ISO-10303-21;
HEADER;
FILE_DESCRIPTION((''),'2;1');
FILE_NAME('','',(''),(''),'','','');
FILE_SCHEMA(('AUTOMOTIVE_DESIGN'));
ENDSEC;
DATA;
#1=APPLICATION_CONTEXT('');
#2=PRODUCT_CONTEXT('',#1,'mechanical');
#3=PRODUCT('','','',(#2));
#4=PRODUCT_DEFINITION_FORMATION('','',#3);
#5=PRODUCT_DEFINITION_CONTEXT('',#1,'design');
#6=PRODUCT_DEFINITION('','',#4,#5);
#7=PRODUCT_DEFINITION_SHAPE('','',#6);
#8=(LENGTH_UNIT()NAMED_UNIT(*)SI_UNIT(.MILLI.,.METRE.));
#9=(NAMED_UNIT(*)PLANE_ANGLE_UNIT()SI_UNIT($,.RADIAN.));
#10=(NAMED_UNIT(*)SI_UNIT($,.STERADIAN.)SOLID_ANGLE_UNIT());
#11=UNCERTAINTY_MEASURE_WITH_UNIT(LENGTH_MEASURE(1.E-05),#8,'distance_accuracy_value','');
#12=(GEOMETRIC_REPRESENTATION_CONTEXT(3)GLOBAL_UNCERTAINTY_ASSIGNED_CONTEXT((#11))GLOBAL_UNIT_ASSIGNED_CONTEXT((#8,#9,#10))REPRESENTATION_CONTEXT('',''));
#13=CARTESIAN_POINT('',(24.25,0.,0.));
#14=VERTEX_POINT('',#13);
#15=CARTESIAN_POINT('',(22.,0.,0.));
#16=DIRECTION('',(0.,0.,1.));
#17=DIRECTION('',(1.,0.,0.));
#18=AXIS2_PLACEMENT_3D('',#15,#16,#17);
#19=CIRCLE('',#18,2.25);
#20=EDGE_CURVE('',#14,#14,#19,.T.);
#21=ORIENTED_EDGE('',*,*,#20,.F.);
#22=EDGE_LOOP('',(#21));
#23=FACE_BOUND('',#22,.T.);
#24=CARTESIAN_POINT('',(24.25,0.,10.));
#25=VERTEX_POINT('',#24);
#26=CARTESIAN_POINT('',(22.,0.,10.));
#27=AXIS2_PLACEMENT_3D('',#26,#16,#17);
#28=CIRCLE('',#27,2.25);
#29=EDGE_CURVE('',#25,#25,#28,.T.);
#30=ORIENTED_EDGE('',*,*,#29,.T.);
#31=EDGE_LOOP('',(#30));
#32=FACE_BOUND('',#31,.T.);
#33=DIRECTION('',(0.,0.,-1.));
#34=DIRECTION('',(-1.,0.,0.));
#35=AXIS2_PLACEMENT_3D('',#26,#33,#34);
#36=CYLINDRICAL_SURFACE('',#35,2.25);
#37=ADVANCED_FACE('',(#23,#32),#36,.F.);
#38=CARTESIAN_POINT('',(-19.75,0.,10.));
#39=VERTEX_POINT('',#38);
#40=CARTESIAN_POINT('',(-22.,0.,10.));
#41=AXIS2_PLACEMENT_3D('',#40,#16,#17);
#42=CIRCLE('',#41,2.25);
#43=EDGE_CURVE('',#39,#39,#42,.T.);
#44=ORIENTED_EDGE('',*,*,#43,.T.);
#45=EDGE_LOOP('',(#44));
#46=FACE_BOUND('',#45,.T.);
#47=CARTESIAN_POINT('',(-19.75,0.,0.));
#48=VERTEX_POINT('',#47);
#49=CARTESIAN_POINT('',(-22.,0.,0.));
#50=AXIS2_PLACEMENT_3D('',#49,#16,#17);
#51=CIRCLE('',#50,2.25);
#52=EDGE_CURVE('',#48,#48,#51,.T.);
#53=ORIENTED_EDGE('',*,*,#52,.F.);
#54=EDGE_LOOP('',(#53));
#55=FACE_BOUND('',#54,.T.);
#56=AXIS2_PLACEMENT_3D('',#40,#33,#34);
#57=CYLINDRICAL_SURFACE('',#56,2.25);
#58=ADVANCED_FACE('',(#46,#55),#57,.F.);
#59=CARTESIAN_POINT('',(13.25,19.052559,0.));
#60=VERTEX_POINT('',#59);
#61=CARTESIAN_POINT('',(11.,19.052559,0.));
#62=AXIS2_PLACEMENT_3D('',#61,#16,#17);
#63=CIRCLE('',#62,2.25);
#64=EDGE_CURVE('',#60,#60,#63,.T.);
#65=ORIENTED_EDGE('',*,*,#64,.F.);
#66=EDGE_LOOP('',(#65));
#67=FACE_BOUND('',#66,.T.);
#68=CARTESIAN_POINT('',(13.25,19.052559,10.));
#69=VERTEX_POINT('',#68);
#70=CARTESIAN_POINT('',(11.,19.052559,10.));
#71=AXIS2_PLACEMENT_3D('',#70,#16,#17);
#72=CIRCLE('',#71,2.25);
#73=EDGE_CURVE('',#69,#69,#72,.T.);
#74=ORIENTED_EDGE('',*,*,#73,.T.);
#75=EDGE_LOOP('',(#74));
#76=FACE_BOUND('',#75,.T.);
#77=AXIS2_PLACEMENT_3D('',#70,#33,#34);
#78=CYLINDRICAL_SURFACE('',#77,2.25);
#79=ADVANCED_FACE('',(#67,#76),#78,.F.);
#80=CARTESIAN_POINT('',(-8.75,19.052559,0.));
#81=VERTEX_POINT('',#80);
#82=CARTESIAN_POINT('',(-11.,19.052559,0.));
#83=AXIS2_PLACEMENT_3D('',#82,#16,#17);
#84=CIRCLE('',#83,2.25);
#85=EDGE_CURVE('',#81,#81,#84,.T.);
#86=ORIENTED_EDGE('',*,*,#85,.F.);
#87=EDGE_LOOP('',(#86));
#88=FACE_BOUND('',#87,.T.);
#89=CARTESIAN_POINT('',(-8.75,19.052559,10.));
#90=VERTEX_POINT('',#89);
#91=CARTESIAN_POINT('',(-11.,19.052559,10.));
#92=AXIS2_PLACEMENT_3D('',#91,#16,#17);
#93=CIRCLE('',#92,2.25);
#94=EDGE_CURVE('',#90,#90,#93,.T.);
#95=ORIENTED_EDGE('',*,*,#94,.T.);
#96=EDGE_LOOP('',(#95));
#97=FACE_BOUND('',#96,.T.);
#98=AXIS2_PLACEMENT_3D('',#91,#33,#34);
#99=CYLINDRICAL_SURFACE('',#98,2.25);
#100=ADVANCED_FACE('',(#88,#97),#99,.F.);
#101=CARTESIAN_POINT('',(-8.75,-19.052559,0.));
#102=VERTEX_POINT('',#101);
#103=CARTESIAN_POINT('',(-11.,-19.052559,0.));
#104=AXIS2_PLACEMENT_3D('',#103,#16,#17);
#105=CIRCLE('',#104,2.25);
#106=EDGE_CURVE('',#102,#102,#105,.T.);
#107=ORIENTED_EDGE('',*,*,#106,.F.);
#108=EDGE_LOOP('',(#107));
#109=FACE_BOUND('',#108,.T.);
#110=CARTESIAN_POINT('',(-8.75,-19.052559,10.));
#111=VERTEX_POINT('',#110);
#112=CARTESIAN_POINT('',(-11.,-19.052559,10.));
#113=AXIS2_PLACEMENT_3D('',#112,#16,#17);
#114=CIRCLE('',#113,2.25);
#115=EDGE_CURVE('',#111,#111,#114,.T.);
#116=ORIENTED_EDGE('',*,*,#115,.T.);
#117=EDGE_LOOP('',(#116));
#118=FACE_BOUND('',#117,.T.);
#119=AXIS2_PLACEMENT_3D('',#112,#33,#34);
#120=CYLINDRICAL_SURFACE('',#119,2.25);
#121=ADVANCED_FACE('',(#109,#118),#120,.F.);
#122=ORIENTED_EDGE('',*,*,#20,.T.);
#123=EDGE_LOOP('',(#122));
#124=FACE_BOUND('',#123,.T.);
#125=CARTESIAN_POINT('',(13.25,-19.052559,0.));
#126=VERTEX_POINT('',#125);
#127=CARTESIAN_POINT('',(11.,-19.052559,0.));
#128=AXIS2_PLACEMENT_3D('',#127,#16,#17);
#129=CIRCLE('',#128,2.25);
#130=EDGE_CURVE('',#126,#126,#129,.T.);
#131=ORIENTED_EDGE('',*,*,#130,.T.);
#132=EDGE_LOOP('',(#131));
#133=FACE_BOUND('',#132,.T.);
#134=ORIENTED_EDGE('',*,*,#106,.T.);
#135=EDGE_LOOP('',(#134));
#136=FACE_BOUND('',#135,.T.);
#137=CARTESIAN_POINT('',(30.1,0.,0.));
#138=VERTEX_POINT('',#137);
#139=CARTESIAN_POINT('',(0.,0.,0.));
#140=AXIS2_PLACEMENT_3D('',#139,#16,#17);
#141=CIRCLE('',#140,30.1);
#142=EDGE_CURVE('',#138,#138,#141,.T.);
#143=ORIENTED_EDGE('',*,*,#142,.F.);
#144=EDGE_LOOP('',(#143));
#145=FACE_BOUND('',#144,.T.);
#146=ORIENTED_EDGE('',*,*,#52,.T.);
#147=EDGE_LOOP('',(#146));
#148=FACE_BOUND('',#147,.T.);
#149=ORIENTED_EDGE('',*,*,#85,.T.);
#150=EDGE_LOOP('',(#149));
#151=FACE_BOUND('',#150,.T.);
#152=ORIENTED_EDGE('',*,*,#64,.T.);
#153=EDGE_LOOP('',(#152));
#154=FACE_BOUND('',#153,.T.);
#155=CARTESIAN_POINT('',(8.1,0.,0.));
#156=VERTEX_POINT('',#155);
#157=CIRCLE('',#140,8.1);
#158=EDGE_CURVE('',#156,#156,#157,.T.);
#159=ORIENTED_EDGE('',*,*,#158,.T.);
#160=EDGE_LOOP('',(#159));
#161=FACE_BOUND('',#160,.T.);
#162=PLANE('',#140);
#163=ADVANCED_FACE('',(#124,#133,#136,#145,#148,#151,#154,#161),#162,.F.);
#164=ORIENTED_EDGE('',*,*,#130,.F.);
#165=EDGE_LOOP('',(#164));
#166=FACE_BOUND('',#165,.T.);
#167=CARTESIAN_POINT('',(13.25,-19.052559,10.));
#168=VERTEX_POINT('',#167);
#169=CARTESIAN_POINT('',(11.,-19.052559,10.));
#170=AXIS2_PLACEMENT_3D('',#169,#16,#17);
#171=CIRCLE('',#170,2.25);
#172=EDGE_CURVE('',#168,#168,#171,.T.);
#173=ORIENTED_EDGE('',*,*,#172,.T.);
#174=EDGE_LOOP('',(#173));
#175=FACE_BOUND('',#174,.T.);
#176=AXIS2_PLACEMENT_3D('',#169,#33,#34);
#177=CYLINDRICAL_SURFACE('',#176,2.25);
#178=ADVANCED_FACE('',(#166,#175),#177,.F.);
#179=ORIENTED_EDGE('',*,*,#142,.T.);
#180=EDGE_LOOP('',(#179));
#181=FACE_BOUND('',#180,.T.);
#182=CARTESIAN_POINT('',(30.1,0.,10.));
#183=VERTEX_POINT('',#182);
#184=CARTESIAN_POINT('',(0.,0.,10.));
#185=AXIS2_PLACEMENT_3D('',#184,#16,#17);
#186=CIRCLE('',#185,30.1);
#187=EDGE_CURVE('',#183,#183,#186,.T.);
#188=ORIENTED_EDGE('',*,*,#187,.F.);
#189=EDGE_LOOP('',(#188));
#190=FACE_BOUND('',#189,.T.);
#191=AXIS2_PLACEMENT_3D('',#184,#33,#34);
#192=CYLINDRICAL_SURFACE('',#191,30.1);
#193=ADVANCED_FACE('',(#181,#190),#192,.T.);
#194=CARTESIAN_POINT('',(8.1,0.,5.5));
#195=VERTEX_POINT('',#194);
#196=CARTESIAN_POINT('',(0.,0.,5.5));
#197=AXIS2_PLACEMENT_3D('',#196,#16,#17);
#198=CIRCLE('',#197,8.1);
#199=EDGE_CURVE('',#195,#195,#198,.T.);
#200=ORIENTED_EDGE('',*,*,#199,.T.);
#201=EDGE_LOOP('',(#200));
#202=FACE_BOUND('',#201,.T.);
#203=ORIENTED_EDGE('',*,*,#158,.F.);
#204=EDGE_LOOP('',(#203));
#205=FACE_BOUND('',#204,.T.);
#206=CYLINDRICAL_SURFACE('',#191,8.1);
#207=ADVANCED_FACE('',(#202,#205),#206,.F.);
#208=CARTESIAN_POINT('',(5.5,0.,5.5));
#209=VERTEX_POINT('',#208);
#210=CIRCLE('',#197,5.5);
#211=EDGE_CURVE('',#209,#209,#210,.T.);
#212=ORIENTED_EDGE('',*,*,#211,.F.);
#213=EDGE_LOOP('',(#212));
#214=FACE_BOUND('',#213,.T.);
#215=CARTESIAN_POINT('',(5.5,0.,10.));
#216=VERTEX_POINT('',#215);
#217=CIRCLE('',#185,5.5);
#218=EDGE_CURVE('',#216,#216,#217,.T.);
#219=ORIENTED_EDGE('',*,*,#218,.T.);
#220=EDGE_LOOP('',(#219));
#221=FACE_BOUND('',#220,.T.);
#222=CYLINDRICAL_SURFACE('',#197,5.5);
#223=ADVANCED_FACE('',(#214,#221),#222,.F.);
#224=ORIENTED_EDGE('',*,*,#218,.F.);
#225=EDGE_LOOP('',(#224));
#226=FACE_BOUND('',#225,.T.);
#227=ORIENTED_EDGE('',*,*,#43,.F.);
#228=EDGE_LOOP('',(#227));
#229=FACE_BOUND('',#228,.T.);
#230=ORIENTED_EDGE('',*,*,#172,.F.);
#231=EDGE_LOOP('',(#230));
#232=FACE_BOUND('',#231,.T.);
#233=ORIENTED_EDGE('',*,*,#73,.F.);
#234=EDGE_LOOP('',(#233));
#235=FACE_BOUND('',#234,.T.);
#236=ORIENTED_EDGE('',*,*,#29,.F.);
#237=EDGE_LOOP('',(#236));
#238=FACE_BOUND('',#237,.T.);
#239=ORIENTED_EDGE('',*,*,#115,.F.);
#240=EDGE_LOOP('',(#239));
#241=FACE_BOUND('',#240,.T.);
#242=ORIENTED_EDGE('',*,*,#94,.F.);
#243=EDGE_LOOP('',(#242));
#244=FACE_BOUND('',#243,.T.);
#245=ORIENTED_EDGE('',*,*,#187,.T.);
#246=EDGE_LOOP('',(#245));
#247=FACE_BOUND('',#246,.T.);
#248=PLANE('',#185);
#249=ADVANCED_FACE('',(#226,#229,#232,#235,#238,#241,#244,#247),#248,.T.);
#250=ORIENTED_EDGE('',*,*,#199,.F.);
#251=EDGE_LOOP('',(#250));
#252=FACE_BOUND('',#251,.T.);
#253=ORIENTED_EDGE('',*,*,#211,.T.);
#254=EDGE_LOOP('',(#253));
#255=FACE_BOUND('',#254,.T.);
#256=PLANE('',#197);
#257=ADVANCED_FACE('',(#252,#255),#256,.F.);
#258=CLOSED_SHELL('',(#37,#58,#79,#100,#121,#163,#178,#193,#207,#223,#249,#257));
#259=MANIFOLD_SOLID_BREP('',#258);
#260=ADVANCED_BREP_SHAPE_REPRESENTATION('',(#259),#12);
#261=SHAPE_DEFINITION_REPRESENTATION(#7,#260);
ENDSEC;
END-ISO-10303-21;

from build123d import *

# Parameters (mm, degrees)
ESQUISSE1_R        = 30.1
ESQUISSE1_R_2      = 2.25
ESQUISSE1_R_3      = 8.1
BOSS_EXTRU_1_DEPTH = 10
BOSS_EXTRU_2_START = -4.5
ESQUISSE2_R        = 8.1
ESQUISSE2_R_2      = 5.5
BOSS_EXTRU_2_DEPTH = 4.5


with BuildPart() as part:
    # Esquisse1 → Boss.-Extru.1 (new body)
    with BuildSketch(Plane.XY):
        Circle(ESQUISSE1_R)
        with Locations((22, 0)):
            Circle(ESQUISSE1_R_2, mode=Mode.SUBTRACT)
        with Locations((11, -19.052558883)):
            Circle(ESQUISSE1_R_2, mode=Mode.SUBTRACT)
        with Locations((-11, -19.052558883)):
            Circle(ESQUISSE1_R_2, mode=Mode.SUBTRACT)
        with Locations((-22, 0)):
            Circle(ESQUISSE1_R_2, mode=Mode.SUBTRACT)
        with Locations((-11, 19.052558883)):
            Circle(ESQUISSE1_R_2, mode=Mode.SUBTRACT)
        with Locations((11, 19.052558883)):
            Circle(ESQUISSE1_R_2, mode=Mode.SUBTRACT)
        Circle(ESQUISSE1_R_3, mode=Mode.SUBTRACT)
    extrude(amount=BOSS_EXTRU_1_DEPTH)

    # Esquisse2 → Boss.-Extru.2 (add)
    with BuildSketch(Plane.XY.offset(10).offset(BOSS_EXTRU_2_START)):
        Circle(ESQUISSE2_R)
        Circle(ESQUISSE2_R_2, mode=Mode.SUBTRACT)
    extrude(amount=BOSS_EXTRU_2_DEPTH)


solid = part.part
